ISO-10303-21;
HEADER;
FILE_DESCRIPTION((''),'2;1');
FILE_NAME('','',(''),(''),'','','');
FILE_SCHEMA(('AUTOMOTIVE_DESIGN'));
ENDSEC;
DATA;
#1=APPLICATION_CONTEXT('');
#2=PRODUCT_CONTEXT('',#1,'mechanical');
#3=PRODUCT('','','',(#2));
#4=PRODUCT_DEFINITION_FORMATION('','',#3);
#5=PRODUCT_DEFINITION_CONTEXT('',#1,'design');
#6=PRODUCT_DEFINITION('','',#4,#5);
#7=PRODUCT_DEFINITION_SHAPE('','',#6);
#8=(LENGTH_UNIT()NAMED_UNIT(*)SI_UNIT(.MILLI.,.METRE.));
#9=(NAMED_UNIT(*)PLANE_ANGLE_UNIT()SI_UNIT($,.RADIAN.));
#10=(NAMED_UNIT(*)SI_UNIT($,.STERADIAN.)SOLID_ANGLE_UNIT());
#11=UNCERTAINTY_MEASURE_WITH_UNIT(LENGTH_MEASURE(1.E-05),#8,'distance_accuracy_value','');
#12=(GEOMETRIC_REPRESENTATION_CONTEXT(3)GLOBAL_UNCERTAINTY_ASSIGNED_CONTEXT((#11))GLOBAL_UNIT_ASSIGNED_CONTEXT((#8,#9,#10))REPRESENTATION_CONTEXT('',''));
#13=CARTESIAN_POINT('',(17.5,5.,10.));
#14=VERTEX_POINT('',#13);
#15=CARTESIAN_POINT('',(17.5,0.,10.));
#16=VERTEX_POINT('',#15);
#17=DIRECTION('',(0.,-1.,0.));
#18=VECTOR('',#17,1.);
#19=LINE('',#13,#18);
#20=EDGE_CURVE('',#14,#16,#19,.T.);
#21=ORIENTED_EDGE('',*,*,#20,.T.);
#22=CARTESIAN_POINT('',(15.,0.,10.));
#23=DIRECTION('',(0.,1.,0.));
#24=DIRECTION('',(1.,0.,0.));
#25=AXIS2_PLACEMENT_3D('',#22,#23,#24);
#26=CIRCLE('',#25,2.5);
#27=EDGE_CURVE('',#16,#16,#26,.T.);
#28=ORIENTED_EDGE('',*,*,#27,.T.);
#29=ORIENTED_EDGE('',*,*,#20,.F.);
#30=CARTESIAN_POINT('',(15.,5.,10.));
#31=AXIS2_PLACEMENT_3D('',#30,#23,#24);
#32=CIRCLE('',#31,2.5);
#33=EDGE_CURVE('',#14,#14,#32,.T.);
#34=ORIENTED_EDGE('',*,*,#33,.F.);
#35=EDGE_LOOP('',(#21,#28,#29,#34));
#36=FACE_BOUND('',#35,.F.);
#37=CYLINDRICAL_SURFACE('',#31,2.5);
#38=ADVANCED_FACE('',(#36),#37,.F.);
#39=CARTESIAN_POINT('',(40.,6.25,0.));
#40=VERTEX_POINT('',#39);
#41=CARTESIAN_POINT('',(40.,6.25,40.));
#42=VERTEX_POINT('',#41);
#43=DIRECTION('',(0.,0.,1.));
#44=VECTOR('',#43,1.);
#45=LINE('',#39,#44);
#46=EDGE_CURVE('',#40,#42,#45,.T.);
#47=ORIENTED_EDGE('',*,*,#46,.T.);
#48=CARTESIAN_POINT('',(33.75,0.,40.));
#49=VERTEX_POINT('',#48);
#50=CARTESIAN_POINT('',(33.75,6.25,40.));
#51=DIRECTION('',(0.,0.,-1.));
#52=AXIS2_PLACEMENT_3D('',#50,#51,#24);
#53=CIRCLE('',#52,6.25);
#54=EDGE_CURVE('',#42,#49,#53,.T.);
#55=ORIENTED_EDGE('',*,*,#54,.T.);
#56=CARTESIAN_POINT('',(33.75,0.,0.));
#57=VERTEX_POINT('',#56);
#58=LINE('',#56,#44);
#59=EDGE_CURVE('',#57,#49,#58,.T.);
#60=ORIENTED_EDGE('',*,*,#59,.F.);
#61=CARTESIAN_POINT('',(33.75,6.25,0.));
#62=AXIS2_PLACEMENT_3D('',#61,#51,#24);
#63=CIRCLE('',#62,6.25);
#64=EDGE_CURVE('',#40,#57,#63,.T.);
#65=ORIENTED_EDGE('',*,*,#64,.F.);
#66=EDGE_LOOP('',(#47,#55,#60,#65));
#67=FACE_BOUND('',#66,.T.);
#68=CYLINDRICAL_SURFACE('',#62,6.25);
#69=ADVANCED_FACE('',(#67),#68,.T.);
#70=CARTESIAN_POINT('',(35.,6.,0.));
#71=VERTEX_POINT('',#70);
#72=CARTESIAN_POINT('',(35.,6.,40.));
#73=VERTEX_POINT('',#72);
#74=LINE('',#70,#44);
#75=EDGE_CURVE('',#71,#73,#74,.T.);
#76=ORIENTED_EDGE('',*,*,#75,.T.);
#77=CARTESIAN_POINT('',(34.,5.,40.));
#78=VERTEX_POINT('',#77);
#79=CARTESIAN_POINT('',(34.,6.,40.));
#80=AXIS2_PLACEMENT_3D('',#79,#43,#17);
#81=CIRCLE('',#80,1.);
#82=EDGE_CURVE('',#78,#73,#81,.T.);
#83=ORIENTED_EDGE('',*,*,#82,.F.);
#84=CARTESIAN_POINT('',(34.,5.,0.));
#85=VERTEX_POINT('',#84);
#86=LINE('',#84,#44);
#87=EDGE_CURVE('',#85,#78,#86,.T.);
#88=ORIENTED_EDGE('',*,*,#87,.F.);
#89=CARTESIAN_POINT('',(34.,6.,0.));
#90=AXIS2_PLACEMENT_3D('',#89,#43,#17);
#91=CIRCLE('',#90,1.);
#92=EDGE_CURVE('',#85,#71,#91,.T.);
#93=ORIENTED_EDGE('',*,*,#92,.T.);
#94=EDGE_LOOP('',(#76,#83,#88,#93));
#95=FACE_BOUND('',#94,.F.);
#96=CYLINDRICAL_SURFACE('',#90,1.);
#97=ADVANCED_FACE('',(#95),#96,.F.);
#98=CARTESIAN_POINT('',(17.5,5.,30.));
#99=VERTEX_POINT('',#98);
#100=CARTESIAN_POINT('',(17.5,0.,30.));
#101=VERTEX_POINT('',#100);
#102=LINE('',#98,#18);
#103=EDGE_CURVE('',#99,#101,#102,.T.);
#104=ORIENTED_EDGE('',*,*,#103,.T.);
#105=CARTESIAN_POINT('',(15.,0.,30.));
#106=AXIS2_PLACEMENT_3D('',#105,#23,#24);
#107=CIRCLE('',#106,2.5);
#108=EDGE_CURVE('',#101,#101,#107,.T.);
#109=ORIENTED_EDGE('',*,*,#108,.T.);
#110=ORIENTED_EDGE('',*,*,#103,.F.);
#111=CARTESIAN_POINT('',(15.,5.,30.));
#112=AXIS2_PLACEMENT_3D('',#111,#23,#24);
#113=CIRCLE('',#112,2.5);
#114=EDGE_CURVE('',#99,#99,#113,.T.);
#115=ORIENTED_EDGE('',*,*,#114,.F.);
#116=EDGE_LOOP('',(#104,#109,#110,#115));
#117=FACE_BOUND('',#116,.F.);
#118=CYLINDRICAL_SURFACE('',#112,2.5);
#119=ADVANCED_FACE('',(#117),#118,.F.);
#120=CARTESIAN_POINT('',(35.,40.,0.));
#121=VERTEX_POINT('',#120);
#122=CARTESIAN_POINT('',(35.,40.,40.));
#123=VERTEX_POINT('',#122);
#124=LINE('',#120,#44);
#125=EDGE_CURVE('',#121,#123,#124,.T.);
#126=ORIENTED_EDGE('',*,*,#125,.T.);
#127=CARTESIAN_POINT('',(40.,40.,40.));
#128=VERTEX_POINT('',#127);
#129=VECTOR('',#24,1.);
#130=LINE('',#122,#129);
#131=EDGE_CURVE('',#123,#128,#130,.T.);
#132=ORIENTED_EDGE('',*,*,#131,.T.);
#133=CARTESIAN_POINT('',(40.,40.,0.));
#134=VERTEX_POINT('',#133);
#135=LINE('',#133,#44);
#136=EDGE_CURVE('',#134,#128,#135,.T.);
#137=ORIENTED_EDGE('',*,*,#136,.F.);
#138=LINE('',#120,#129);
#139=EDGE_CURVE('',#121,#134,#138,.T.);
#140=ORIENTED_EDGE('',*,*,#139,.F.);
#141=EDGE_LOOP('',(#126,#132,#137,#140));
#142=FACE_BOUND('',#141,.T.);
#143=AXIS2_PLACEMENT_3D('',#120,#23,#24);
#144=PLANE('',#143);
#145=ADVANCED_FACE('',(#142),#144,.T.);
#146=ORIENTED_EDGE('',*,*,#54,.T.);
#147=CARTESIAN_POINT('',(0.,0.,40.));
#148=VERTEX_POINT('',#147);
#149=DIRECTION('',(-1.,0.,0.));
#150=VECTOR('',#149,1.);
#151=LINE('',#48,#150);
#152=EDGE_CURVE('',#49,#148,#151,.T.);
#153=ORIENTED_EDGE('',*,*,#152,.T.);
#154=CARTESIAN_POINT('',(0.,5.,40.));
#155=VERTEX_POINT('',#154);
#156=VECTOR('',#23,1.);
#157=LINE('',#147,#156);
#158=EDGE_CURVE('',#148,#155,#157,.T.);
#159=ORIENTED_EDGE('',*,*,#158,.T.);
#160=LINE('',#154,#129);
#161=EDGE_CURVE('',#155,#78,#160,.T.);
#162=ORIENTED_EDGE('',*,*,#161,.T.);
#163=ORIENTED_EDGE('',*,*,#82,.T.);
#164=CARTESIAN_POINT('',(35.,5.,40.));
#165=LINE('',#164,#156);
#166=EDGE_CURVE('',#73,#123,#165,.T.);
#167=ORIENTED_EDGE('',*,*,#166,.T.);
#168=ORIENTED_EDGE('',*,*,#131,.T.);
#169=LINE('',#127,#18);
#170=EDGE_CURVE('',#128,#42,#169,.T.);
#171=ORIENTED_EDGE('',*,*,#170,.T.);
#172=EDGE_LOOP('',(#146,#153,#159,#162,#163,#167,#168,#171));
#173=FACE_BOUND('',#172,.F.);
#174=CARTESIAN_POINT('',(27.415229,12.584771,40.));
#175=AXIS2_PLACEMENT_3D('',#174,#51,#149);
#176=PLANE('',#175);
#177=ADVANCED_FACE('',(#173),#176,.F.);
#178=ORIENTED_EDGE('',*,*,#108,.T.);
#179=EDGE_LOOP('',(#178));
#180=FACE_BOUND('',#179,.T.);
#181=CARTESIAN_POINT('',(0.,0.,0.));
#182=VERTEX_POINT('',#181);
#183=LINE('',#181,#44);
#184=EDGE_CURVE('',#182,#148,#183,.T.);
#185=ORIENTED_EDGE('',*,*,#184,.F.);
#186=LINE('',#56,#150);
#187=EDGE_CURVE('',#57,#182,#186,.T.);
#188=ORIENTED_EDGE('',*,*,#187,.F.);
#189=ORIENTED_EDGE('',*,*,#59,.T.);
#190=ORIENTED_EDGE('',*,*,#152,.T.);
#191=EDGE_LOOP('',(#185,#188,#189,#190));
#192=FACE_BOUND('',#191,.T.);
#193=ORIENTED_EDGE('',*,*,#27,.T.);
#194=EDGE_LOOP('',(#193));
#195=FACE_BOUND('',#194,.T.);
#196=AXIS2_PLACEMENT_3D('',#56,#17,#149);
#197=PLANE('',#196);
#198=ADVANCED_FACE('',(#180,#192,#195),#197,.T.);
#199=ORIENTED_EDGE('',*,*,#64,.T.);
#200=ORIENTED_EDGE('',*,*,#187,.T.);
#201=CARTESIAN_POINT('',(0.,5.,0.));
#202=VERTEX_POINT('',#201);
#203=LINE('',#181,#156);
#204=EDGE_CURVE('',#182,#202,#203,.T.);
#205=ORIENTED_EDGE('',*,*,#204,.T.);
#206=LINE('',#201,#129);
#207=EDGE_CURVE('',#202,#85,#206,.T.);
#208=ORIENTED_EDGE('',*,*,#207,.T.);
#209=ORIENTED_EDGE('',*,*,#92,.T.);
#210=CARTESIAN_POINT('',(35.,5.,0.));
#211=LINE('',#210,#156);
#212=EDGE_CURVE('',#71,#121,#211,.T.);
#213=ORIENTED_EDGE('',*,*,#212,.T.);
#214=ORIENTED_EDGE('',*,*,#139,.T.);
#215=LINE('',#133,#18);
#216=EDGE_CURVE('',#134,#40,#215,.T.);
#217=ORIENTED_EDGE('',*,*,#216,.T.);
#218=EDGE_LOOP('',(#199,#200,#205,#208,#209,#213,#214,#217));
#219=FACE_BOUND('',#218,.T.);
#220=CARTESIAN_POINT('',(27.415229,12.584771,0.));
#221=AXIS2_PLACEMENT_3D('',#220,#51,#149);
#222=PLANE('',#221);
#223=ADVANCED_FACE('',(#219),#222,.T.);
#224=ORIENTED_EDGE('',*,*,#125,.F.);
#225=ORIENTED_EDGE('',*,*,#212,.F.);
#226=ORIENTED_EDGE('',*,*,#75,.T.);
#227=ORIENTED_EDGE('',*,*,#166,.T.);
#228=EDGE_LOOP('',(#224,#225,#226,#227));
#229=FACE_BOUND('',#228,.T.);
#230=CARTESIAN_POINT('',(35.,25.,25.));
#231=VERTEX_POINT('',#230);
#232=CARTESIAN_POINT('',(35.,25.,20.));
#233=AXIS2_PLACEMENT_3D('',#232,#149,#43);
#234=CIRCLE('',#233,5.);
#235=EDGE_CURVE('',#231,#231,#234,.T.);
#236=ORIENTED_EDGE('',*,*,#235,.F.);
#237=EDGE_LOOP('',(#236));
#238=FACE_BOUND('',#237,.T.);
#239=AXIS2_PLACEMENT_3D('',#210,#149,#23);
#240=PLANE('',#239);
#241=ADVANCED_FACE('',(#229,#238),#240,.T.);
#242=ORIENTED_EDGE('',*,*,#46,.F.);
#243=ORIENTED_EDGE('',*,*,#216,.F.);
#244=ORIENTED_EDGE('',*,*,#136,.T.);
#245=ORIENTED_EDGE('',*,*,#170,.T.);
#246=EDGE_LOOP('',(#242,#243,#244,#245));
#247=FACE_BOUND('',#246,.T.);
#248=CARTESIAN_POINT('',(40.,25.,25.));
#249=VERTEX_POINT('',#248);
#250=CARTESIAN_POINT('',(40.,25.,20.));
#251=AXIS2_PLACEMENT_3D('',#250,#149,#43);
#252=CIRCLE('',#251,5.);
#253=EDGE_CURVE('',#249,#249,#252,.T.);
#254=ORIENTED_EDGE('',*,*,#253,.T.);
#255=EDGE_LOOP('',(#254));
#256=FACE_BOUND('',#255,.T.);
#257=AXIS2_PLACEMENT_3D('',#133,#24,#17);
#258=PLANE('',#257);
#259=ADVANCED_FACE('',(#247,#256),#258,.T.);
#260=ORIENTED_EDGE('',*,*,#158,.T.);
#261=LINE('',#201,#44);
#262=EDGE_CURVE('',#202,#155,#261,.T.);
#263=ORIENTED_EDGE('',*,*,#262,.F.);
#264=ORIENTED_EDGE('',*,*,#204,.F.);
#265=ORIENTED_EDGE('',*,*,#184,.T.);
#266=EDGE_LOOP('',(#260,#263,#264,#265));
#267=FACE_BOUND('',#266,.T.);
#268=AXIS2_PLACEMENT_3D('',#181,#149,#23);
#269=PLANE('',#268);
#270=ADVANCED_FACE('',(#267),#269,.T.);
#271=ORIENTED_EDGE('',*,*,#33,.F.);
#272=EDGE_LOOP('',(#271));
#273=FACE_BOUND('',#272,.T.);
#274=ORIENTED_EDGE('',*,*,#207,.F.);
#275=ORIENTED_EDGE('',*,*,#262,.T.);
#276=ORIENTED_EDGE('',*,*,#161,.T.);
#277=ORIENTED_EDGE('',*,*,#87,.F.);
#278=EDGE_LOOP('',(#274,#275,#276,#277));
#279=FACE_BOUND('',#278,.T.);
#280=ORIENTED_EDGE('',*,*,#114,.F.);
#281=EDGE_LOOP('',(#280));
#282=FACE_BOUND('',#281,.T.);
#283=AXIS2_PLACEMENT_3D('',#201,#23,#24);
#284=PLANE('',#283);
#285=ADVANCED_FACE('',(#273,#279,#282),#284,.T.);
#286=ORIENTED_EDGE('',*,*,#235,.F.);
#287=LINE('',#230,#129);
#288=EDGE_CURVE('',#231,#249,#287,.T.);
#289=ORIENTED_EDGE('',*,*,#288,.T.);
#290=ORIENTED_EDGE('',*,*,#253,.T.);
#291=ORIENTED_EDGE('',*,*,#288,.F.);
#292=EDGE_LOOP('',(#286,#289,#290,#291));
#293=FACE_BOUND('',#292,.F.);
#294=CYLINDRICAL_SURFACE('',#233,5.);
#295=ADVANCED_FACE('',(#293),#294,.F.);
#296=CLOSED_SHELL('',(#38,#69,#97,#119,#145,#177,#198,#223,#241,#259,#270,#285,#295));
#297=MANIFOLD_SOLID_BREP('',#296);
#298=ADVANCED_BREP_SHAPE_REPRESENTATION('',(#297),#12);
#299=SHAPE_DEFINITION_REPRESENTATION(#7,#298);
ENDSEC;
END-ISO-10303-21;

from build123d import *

# Parameters (mm, degrees)
BOSS_EXTRUDE1_DEPTH = 40
SKETCH3_R           = 2.5
CUT_EXTRUDE1_DEPTH  = 6
SKETCH4_R           = 5
CUT_EXTRUDE2_DEPTH  = 6
FILLET1_R           = 1


with BuildPart() as part:
    # Sketch1 → Boss-Extrude1 (new body)
    with BuildSketch(Plane.XY):
        with BuildLine():
            Line((0, 0), (0, 5))
            Line((0, 5), (35, 5))
            Line((35, 5), (35, 40))
            Line((35, 40), (40, 40))
            Line((40, 40), (40, 6.25))
            ThreePointArc((40, 6.25), (38.169417382, 1.830582618), (33.75, 0))
            Line((33.75, 0), (0, 0))
        make_face()
    extrude(amount=BOSS_EXTRUDE1_DEPTH)

    # Sketch3 → Cut-Extrude1 (cut, through all)
    with BuildSketch(Plane(origin=(0, 5, 0), x_dir=(1, 0, 0), z_dir=(0, 1, 0))):
        with Locations((15, -10)):
            Circle(SKETCH3_R)
        with Locations((15, -30)):
            Circle(SKETCH3_R)
    extrude(amount=-CUT_EXTRUDE1_DEPTH, mode=Mode.SUBTRACT)

    # Sketch4 → Cut-Extrude2 (cut, through all)
    with BuildSketch(Plane.ZY.offset(-35)):
        with Locations((20, 25)):
            Circle(SKETCH4_R)
    extrude(amount=-CUT_EXTRUDE2_DEPTH, mode=Mode.SUBTRACT)

    # Fillet1
    fillet1_edges = [part.edges().sort_by_distance(p)[0] for p in [
        (35, 5, 20),
    ]]
    fillet(fillet1_edges, radius=FILLET1_R)


solid = part.part
